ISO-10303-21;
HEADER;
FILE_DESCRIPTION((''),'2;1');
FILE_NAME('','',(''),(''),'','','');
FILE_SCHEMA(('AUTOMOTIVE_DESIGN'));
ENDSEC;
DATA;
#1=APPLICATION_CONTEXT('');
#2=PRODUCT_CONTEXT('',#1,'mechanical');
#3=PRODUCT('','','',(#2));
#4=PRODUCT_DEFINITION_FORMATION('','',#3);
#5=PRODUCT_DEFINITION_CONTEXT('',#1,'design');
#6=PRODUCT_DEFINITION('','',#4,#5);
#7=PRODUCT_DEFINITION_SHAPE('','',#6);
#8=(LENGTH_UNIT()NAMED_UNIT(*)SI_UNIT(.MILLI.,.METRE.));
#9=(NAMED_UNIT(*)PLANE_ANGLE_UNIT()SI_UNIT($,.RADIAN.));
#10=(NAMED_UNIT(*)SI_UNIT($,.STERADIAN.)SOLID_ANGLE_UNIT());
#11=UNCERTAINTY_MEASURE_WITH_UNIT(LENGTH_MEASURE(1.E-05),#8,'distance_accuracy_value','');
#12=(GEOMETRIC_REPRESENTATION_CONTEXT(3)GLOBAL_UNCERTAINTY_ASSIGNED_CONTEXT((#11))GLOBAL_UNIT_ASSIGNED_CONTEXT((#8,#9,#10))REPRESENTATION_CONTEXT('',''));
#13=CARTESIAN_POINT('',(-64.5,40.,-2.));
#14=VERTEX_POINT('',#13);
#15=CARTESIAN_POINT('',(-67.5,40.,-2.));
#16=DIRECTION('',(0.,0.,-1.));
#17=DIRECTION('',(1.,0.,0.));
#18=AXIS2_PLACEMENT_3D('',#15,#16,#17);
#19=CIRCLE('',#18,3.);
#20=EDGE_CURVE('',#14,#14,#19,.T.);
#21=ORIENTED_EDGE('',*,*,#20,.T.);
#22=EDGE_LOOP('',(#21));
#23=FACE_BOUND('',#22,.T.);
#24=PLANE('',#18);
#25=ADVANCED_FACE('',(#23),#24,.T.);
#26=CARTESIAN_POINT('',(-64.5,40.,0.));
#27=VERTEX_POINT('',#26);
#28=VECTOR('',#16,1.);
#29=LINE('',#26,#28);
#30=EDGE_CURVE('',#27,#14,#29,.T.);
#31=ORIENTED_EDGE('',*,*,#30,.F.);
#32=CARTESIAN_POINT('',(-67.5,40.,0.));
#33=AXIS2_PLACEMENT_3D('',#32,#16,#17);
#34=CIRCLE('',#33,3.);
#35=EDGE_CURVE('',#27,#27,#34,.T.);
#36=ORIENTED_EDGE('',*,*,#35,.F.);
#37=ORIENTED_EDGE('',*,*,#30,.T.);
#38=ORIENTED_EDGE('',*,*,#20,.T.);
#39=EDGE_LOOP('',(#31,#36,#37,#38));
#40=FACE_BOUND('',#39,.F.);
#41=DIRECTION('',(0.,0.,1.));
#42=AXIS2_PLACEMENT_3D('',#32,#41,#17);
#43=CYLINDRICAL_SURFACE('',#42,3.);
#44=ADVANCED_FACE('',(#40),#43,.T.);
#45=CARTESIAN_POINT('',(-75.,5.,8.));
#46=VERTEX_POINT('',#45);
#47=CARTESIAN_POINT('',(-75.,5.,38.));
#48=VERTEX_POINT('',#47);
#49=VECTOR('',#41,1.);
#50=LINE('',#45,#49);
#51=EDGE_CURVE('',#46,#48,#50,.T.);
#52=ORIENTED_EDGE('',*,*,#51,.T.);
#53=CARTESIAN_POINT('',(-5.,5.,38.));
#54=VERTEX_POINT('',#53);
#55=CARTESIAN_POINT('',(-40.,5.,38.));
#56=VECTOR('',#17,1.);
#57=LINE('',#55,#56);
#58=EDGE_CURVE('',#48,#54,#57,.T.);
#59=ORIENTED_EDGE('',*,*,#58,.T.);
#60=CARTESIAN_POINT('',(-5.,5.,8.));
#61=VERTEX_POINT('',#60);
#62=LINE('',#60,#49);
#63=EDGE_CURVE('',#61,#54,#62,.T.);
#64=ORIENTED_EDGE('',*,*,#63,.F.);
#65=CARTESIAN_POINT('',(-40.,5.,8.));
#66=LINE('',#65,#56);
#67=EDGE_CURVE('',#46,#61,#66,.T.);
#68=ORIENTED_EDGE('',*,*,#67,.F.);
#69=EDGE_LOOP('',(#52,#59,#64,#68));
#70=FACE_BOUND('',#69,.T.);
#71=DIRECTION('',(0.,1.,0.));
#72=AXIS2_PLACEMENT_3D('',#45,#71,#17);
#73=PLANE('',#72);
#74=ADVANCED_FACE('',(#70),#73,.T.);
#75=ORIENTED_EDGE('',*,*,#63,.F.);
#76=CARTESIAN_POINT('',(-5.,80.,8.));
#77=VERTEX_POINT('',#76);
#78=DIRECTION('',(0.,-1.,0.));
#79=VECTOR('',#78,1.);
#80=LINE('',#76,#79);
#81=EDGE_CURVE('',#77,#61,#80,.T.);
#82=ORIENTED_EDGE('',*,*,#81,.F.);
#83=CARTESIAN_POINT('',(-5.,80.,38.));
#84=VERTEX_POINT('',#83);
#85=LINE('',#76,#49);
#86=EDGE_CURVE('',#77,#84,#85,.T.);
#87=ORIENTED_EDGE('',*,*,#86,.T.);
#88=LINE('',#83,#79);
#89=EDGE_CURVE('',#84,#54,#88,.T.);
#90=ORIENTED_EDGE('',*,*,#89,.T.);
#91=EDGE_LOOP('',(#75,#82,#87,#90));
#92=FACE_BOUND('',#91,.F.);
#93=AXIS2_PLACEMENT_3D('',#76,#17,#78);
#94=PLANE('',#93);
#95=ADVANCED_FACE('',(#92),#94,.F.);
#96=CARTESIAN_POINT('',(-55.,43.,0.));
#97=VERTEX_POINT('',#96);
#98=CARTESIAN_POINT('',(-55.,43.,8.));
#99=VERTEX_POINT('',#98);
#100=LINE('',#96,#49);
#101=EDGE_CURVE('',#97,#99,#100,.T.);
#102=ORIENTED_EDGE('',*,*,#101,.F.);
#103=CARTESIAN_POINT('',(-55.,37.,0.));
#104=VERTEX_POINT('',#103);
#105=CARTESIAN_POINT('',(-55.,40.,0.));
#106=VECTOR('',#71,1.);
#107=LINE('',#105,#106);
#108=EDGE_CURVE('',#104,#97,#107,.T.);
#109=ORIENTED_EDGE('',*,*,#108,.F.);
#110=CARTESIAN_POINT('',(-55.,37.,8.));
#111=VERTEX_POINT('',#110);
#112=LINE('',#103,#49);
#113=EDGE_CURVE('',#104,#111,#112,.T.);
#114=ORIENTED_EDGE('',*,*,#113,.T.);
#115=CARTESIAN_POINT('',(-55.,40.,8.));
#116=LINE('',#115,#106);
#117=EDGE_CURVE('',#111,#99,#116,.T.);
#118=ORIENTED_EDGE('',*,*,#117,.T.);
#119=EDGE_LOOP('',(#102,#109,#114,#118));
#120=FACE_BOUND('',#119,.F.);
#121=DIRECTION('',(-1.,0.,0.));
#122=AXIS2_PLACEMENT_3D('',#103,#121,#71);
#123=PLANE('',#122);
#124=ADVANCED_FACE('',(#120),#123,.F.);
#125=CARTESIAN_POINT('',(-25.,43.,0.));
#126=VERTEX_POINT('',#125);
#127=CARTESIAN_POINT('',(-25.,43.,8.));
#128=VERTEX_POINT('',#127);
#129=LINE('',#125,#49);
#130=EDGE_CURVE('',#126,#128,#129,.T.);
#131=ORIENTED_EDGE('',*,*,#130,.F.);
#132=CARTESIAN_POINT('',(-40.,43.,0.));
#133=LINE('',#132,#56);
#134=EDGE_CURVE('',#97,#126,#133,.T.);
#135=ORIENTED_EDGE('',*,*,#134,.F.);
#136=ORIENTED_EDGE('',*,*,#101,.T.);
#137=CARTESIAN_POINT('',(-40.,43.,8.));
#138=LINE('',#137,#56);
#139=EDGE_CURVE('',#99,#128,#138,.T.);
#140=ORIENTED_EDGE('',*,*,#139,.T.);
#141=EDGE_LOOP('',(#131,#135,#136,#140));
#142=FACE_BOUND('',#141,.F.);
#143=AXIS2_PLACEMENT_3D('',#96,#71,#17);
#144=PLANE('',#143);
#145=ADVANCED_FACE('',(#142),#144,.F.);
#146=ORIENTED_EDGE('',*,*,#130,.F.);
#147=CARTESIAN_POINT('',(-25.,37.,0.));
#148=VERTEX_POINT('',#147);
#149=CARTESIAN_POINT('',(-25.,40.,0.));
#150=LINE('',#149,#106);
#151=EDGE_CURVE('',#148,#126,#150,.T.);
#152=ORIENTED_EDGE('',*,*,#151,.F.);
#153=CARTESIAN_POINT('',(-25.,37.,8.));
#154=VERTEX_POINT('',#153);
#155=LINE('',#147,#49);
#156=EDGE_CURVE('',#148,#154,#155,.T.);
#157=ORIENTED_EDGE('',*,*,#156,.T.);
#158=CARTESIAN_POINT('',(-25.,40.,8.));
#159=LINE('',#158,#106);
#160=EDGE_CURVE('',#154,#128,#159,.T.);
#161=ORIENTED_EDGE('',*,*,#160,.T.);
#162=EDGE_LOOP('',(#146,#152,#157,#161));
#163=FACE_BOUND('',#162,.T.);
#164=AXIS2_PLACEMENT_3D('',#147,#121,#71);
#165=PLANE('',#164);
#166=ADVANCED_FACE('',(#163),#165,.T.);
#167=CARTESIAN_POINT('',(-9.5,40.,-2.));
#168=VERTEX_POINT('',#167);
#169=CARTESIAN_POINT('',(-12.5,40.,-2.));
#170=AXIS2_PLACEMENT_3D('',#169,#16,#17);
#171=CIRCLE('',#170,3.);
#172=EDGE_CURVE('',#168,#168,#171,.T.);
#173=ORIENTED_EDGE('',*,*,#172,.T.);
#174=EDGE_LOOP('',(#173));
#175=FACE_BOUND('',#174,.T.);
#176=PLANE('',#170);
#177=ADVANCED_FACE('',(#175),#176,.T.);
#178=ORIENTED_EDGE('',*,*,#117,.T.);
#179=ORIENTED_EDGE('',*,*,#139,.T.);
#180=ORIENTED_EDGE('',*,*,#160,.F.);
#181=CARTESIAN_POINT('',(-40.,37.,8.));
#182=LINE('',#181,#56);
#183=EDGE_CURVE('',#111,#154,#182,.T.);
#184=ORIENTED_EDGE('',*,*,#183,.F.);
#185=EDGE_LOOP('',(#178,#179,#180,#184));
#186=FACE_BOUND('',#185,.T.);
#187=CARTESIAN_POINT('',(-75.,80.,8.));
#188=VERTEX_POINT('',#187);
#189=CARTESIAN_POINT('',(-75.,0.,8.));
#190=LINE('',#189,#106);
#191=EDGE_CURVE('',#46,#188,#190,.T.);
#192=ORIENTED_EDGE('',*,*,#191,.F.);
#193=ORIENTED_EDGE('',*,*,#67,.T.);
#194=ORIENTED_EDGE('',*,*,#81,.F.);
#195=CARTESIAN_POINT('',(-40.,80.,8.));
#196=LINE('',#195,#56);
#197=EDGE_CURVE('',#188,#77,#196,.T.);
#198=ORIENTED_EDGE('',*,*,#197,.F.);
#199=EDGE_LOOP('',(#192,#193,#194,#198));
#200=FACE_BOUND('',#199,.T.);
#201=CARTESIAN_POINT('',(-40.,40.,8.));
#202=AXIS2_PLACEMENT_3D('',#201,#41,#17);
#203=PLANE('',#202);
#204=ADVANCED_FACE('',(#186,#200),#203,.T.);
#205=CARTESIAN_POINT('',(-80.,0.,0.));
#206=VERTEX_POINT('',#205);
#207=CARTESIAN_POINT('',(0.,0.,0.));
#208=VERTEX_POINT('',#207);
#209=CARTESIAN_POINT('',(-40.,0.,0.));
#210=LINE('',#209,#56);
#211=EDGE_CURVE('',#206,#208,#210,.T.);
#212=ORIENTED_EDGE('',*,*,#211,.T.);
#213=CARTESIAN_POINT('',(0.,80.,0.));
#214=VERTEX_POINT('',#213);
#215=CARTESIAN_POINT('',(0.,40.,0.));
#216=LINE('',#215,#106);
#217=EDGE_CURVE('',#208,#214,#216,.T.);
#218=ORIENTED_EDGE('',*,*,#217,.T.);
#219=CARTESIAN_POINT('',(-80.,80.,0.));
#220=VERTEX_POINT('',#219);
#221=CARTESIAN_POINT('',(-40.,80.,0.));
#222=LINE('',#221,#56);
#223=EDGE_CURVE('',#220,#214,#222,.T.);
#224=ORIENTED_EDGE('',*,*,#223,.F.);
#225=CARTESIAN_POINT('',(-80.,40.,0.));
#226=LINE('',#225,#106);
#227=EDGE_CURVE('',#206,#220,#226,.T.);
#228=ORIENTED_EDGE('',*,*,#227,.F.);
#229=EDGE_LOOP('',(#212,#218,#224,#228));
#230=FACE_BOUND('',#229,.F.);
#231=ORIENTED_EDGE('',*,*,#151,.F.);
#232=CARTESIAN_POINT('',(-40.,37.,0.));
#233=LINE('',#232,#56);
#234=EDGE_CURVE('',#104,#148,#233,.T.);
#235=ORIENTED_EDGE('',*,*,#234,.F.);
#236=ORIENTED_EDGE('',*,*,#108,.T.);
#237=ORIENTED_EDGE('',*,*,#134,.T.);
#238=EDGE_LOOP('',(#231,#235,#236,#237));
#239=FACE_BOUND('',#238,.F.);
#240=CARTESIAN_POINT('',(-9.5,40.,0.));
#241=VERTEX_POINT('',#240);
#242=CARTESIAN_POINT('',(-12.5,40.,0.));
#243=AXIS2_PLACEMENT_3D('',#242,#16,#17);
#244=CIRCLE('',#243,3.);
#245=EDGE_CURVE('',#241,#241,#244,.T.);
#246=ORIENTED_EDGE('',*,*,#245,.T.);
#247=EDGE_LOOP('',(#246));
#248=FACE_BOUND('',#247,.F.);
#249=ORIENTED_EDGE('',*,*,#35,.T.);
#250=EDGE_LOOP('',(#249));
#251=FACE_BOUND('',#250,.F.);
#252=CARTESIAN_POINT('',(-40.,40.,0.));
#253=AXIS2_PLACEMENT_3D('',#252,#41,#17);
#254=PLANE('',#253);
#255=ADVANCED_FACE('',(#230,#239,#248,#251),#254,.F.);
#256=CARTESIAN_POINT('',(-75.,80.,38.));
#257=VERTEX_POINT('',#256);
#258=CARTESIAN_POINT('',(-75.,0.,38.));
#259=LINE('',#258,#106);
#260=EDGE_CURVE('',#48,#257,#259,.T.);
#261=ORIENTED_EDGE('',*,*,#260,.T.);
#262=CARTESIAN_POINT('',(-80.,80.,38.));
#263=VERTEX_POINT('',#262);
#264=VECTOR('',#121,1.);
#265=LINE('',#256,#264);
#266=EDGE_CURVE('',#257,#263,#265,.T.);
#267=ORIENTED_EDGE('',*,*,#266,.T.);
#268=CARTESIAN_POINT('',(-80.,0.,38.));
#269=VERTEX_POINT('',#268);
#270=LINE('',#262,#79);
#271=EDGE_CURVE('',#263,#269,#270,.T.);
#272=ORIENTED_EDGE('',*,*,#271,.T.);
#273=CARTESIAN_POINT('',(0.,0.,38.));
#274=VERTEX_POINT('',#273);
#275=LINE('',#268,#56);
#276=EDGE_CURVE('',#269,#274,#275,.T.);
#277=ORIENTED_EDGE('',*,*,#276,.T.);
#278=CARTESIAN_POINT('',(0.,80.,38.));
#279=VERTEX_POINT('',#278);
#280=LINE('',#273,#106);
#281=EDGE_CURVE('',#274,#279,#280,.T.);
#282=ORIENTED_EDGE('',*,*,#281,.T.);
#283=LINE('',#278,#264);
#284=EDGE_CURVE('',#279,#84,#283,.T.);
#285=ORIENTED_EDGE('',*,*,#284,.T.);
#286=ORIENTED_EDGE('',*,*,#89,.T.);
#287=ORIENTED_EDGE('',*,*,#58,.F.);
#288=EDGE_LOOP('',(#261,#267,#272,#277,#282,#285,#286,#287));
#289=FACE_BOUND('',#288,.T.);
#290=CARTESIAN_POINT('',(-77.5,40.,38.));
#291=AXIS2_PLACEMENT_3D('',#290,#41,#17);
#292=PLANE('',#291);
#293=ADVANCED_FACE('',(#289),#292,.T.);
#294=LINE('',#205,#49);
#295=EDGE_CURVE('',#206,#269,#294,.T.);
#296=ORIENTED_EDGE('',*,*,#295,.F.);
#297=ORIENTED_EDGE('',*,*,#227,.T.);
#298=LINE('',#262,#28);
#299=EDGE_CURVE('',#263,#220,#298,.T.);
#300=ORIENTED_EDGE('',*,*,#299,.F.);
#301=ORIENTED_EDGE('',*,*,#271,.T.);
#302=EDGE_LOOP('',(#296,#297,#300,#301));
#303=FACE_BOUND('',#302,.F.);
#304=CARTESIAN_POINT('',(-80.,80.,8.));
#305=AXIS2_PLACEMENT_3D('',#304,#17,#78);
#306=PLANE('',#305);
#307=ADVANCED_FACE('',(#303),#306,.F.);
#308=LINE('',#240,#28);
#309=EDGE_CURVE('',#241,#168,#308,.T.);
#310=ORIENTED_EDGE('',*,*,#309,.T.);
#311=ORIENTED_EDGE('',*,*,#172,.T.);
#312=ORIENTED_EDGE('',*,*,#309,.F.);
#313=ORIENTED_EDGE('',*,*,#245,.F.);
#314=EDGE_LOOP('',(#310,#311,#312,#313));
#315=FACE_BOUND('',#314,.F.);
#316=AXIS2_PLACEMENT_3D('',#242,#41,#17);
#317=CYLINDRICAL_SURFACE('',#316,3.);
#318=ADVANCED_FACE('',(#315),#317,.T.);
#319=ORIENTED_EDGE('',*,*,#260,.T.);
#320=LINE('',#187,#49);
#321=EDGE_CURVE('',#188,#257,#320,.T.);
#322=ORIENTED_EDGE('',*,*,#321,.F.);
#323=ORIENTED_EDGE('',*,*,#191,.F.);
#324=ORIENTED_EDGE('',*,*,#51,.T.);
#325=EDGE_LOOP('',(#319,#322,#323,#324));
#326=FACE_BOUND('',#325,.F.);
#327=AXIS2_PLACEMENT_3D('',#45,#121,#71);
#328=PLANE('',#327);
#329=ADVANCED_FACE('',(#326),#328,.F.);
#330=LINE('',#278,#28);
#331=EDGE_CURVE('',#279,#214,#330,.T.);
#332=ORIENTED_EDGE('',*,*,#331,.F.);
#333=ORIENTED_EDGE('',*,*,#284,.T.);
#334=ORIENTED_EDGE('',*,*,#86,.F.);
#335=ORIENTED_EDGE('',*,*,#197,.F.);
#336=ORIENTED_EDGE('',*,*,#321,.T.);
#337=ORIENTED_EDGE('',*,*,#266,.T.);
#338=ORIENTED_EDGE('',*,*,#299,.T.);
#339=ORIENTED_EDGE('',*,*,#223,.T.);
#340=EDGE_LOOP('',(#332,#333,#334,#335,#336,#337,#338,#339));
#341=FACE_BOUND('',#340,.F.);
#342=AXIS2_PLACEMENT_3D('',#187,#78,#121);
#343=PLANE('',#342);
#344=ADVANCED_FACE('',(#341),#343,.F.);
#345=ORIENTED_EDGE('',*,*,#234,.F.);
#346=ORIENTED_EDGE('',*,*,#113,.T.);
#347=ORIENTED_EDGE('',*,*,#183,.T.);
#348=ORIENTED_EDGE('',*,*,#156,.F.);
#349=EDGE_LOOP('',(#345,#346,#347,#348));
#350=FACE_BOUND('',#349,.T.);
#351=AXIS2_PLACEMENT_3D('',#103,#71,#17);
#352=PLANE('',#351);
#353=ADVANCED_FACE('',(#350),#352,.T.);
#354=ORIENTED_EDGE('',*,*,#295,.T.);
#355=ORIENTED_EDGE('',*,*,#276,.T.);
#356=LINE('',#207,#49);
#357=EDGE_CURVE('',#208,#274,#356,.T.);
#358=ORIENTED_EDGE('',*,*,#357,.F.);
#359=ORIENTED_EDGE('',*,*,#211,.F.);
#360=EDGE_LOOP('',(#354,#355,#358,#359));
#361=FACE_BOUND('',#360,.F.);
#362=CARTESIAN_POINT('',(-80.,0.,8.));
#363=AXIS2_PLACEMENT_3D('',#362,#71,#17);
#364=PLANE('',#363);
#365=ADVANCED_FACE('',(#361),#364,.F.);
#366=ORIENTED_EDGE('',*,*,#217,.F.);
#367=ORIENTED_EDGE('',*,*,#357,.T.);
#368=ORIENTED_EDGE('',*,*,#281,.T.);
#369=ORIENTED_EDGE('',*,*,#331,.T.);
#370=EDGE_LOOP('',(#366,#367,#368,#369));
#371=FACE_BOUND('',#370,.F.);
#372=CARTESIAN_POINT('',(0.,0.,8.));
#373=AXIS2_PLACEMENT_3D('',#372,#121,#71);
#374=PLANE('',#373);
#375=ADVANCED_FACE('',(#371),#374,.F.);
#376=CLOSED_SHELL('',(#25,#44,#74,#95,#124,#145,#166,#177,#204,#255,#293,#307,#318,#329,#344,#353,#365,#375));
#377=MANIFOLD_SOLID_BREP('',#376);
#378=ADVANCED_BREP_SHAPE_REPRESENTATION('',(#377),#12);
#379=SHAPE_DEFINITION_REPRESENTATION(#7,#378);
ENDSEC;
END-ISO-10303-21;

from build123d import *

# Parameters (mm, degrees)
F0_W     = 80
F0_H     = 80
F0_W_2   = 30
F0_H_2   = 6
F1_DEPTH = 8
F2_W     = 70
F2_H     = 5
F3_DEPTH = 30
F4_R     = 3
F5_DEPTH = 2


with BuildPart() as f1:
    # F0 (on Top) → F1 (new body)
    with BuildSketch(Plane.XY):
        with Locations((-40, 40)):
            Rectangle(F0_W, F0_H)
        with Locations((-40, 40)):
            Rectangle(F0_W_2, F0_H_2, mode=Mode.SUBTRACT)
    extrude(amount=F1_DEPTH)

    # F2 (on face) → F3 (join)
    with BuildSketch(Plane.XY.offset(8)):
        Polygon((-80, 80), (-80, 0), (-75, 0), (-75, 5), (-75, 80), align=None)
        with Locations((-40, 2.5)):
            Rectangle(F2_W, F2_H)
        Polygon((-5, 5), (-5, 0), (0, 0), (0, 80), (-5, 80), align=None)
    extrude(amount=F3_DEPTH)

    # F4 (on face) → F5 (join)
    with BuildSketch(Plane(origin=(0, 0, 0), x_dir=(1, 0, 0), z_dir=(0, 0, -1))):
        with Locations((-67.5, -40)):
            Circle(F4_R)
        with Locations((-12.5, -40)):
            Circle(F4_R)
    extrude(amount=F5_DEPTH)


solid = f1.part
